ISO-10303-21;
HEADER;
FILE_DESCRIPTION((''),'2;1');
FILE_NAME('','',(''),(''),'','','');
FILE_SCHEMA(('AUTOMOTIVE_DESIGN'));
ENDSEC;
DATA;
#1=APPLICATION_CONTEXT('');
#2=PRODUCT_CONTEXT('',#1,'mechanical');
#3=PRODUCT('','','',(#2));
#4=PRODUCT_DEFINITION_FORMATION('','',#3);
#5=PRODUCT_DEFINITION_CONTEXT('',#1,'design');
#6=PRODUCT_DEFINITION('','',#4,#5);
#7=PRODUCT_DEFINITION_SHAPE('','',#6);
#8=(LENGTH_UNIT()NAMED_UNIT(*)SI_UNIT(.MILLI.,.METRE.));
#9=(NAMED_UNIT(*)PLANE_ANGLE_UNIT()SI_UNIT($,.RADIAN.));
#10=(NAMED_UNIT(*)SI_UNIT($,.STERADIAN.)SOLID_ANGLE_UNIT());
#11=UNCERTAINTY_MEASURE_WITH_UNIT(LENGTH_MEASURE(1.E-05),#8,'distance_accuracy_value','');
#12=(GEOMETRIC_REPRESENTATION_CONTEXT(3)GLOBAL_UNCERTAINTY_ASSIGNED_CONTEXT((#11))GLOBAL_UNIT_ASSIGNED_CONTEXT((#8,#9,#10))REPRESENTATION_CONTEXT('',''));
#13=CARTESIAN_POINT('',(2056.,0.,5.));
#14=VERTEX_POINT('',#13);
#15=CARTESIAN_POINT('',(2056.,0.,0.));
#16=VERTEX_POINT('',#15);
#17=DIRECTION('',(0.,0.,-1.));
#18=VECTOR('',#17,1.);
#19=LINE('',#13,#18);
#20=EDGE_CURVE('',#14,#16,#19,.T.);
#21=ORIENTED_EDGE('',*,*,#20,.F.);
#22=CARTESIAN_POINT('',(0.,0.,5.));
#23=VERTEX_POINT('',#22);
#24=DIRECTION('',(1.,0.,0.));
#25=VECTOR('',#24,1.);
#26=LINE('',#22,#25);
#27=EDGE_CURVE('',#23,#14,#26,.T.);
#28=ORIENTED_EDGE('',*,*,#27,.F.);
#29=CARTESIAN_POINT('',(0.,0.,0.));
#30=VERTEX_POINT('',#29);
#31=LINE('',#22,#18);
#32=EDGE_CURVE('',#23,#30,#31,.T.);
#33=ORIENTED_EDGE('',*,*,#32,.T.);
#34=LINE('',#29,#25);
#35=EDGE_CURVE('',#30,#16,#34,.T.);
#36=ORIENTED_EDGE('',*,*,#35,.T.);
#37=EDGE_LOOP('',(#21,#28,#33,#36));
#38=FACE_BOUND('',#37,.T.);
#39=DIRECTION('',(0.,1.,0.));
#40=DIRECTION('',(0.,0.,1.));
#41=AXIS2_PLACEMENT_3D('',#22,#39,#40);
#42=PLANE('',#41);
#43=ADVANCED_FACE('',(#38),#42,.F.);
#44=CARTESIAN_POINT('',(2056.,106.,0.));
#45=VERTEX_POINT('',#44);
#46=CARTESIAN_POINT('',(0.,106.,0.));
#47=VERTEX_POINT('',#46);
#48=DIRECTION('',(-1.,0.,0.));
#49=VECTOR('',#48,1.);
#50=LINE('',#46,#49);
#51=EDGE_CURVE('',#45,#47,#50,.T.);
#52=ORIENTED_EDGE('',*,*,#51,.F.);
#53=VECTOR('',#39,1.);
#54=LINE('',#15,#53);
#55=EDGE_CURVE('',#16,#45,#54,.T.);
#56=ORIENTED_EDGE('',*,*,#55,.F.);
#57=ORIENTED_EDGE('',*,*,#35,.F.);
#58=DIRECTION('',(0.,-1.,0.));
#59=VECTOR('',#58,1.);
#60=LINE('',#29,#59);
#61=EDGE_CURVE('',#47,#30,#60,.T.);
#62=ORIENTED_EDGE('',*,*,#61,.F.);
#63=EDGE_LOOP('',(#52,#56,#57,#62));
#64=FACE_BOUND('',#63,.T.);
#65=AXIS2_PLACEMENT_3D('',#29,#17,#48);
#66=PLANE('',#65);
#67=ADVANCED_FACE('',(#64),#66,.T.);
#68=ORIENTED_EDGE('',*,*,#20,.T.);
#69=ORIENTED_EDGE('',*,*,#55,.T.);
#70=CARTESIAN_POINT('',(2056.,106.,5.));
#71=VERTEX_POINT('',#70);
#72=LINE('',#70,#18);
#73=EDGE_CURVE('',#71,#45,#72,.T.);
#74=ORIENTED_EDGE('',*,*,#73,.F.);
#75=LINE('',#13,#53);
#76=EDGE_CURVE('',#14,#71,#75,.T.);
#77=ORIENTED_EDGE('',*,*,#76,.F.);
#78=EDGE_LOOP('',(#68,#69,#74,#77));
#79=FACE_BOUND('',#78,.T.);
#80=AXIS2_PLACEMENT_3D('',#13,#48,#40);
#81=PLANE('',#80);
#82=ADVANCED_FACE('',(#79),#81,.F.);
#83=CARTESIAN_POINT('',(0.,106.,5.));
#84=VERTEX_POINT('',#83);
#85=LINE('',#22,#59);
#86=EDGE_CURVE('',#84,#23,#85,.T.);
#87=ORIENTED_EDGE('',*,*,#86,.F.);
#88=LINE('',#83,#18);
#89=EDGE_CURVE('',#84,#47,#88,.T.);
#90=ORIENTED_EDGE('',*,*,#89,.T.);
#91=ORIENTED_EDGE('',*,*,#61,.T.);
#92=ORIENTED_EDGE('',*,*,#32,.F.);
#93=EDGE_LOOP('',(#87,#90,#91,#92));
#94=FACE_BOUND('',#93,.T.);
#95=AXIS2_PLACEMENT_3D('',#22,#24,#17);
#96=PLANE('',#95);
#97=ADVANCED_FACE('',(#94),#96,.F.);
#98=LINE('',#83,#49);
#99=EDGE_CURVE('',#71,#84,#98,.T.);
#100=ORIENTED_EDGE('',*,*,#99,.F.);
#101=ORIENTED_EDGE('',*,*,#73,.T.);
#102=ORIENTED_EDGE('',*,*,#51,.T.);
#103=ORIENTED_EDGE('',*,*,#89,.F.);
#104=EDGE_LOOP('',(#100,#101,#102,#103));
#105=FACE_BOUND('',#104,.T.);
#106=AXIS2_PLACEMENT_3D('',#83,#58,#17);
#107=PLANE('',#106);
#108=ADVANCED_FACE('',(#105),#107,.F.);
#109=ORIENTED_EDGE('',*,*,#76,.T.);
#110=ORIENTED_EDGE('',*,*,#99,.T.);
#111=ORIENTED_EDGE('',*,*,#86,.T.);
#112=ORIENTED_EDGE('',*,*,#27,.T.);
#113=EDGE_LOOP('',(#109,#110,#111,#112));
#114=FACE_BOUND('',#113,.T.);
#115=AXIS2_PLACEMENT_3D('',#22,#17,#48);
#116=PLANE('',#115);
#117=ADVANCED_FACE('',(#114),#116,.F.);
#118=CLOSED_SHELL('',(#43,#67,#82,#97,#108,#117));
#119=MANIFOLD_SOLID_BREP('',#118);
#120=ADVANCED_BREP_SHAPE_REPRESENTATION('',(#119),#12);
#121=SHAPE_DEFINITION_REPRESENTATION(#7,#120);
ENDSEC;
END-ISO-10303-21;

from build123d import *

# Parameters (mm, degrees)
SKETCH_1_W      = 2056
SKETCH_1_H      = 106
EXTRUDE_1_DEPTH = 5


with BuildPart() as part:
    # 草图1 → 凸台-拉伸1 (new body)
    with BuildSketch(Plane.XY):
        with Locations((1028, 53)):
            Rectangle(SKETCH_1_W, SKETCH_1_H)
    extrude(amount=EXTRUDE_1_DEPTH)


solid = part.part
